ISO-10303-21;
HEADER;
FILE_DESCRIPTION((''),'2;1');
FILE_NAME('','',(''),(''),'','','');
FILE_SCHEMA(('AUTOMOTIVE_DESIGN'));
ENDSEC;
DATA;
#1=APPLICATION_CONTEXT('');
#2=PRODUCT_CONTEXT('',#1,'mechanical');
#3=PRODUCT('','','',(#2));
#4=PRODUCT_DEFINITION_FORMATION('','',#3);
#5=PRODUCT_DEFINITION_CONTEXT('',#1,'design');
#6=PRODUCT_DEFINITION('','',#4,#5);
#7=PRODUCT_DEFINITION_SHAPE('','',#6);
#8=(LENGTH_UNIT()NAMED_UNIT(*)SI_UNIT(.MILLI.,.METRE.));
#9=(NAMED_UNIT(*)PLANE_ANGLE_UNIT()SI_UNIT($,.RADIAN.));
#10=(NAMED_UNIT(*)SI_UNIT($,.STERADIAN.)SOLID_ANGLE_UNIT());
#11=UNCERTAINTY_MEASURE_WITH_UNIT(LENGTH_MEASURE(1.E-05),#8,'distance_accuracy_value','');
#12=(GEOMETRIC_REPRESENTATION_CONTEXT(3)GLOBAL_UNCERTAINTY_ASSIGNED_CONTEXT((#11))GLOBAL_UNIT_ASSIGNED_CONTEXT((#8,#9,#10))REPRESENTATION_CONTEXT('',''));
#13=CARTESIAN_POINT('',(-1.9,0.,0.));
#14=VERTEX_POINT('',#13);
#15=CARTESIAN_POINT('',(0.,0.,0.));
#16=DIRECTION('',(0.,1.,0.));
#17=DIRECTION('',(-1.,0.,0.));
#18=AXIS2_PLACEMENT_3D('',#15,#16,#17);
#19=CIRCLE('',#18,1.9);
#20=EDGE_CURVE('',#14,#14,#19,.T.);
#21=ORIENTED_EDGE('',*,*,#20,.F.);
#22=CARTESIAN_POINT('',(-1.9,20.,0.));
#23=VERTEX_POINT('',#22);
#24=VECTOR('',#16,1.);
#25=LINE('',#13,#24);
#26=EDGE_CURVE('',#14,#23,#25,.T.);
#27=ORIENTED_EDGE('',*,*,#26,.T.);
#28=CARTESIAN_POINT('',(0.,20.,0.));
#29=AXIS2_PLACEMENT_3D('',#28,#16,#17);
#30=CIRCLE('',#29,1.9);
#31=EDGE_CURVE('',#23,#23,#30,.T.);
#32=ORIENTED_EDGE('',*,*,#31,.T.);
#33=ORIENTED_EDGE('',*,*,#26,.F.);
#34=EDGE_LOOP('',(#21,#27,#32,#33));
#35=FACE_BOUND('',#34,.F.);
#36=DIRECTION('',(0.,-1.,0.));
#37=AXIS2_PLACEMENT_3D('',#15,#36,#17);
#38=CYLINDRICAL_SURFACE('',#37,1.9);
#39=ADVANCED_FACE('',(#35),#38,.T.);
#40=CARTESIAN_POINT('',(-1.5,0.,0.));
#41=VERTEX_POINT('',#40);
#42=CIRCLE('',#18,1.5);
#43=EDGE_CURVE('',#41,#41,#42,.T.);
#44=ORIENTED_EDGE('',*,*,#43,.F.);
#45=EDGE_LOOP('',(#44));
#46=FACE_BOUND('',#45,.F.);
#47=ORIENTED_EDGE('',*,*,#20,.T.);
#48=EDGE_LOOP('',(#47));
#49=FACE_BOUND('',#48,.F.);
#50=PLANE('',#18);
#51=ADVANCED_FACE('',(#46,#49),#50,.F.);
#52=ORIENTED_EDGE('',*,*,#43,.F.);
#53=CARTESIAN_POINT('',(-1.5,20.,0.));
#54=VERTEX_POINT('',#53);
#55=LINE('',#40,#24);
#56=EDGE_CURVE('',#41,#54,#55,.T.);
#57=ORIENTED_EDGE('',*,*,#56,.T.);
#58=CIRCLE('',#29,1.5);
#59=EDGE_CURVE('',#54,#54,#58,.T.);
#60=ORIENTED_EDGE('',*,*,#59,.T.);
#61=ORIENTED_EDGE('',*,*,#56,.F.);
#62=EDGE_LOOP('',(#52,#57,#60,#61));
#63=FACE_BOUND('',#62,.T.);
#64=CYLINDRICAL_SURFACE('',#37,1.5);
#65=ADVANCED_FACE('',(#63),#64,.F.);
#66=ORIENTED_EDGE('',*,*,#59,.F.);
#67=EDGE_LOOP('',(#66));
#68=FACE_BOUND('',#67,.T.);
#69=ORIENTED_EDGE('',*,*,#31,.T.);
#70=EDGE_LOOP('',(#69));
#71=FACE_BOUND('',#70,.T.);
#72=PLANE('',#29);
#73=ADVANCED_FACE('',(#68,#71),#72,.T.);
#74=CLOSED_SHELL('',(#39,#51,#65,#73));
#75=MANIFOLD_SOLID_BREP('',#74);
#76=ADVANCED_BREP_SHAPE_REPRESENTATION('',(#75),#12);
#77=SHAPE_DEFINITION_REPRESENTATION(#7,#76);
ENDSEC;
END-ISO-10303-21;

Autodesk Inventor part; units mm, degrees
ref_plane "YZ Plane" through (0, 0, 0) normal (1, 0, 0) x (0, 1, 0)
ref_plane "XZ Plane" through (0, 0, 0) normal (0, 1, 0) x (-1, 0, 0)
ref_plane "XY Plane" through (0, 0, 0) normal (0, 0, 1) x (1, 0, 0)
sketch "Sketch1" plane through (0, 0, 0) normal (0, 1, 0) x (-1, 0, 0)
  circle A0 centre (0, 0) radius 1.5
  circle A1 centre (0, 0) radius 1.9
  dimension "d0" = 3
  dimension "d1" = 3.8
extrude "Extrusion1" add sketch "Sketch1" along normal blind 20
thread "Thread1" size "M3x0.35" class "6H" standard "ANSI Metric M Profile" full length
properties part number "Alu M3x20"
